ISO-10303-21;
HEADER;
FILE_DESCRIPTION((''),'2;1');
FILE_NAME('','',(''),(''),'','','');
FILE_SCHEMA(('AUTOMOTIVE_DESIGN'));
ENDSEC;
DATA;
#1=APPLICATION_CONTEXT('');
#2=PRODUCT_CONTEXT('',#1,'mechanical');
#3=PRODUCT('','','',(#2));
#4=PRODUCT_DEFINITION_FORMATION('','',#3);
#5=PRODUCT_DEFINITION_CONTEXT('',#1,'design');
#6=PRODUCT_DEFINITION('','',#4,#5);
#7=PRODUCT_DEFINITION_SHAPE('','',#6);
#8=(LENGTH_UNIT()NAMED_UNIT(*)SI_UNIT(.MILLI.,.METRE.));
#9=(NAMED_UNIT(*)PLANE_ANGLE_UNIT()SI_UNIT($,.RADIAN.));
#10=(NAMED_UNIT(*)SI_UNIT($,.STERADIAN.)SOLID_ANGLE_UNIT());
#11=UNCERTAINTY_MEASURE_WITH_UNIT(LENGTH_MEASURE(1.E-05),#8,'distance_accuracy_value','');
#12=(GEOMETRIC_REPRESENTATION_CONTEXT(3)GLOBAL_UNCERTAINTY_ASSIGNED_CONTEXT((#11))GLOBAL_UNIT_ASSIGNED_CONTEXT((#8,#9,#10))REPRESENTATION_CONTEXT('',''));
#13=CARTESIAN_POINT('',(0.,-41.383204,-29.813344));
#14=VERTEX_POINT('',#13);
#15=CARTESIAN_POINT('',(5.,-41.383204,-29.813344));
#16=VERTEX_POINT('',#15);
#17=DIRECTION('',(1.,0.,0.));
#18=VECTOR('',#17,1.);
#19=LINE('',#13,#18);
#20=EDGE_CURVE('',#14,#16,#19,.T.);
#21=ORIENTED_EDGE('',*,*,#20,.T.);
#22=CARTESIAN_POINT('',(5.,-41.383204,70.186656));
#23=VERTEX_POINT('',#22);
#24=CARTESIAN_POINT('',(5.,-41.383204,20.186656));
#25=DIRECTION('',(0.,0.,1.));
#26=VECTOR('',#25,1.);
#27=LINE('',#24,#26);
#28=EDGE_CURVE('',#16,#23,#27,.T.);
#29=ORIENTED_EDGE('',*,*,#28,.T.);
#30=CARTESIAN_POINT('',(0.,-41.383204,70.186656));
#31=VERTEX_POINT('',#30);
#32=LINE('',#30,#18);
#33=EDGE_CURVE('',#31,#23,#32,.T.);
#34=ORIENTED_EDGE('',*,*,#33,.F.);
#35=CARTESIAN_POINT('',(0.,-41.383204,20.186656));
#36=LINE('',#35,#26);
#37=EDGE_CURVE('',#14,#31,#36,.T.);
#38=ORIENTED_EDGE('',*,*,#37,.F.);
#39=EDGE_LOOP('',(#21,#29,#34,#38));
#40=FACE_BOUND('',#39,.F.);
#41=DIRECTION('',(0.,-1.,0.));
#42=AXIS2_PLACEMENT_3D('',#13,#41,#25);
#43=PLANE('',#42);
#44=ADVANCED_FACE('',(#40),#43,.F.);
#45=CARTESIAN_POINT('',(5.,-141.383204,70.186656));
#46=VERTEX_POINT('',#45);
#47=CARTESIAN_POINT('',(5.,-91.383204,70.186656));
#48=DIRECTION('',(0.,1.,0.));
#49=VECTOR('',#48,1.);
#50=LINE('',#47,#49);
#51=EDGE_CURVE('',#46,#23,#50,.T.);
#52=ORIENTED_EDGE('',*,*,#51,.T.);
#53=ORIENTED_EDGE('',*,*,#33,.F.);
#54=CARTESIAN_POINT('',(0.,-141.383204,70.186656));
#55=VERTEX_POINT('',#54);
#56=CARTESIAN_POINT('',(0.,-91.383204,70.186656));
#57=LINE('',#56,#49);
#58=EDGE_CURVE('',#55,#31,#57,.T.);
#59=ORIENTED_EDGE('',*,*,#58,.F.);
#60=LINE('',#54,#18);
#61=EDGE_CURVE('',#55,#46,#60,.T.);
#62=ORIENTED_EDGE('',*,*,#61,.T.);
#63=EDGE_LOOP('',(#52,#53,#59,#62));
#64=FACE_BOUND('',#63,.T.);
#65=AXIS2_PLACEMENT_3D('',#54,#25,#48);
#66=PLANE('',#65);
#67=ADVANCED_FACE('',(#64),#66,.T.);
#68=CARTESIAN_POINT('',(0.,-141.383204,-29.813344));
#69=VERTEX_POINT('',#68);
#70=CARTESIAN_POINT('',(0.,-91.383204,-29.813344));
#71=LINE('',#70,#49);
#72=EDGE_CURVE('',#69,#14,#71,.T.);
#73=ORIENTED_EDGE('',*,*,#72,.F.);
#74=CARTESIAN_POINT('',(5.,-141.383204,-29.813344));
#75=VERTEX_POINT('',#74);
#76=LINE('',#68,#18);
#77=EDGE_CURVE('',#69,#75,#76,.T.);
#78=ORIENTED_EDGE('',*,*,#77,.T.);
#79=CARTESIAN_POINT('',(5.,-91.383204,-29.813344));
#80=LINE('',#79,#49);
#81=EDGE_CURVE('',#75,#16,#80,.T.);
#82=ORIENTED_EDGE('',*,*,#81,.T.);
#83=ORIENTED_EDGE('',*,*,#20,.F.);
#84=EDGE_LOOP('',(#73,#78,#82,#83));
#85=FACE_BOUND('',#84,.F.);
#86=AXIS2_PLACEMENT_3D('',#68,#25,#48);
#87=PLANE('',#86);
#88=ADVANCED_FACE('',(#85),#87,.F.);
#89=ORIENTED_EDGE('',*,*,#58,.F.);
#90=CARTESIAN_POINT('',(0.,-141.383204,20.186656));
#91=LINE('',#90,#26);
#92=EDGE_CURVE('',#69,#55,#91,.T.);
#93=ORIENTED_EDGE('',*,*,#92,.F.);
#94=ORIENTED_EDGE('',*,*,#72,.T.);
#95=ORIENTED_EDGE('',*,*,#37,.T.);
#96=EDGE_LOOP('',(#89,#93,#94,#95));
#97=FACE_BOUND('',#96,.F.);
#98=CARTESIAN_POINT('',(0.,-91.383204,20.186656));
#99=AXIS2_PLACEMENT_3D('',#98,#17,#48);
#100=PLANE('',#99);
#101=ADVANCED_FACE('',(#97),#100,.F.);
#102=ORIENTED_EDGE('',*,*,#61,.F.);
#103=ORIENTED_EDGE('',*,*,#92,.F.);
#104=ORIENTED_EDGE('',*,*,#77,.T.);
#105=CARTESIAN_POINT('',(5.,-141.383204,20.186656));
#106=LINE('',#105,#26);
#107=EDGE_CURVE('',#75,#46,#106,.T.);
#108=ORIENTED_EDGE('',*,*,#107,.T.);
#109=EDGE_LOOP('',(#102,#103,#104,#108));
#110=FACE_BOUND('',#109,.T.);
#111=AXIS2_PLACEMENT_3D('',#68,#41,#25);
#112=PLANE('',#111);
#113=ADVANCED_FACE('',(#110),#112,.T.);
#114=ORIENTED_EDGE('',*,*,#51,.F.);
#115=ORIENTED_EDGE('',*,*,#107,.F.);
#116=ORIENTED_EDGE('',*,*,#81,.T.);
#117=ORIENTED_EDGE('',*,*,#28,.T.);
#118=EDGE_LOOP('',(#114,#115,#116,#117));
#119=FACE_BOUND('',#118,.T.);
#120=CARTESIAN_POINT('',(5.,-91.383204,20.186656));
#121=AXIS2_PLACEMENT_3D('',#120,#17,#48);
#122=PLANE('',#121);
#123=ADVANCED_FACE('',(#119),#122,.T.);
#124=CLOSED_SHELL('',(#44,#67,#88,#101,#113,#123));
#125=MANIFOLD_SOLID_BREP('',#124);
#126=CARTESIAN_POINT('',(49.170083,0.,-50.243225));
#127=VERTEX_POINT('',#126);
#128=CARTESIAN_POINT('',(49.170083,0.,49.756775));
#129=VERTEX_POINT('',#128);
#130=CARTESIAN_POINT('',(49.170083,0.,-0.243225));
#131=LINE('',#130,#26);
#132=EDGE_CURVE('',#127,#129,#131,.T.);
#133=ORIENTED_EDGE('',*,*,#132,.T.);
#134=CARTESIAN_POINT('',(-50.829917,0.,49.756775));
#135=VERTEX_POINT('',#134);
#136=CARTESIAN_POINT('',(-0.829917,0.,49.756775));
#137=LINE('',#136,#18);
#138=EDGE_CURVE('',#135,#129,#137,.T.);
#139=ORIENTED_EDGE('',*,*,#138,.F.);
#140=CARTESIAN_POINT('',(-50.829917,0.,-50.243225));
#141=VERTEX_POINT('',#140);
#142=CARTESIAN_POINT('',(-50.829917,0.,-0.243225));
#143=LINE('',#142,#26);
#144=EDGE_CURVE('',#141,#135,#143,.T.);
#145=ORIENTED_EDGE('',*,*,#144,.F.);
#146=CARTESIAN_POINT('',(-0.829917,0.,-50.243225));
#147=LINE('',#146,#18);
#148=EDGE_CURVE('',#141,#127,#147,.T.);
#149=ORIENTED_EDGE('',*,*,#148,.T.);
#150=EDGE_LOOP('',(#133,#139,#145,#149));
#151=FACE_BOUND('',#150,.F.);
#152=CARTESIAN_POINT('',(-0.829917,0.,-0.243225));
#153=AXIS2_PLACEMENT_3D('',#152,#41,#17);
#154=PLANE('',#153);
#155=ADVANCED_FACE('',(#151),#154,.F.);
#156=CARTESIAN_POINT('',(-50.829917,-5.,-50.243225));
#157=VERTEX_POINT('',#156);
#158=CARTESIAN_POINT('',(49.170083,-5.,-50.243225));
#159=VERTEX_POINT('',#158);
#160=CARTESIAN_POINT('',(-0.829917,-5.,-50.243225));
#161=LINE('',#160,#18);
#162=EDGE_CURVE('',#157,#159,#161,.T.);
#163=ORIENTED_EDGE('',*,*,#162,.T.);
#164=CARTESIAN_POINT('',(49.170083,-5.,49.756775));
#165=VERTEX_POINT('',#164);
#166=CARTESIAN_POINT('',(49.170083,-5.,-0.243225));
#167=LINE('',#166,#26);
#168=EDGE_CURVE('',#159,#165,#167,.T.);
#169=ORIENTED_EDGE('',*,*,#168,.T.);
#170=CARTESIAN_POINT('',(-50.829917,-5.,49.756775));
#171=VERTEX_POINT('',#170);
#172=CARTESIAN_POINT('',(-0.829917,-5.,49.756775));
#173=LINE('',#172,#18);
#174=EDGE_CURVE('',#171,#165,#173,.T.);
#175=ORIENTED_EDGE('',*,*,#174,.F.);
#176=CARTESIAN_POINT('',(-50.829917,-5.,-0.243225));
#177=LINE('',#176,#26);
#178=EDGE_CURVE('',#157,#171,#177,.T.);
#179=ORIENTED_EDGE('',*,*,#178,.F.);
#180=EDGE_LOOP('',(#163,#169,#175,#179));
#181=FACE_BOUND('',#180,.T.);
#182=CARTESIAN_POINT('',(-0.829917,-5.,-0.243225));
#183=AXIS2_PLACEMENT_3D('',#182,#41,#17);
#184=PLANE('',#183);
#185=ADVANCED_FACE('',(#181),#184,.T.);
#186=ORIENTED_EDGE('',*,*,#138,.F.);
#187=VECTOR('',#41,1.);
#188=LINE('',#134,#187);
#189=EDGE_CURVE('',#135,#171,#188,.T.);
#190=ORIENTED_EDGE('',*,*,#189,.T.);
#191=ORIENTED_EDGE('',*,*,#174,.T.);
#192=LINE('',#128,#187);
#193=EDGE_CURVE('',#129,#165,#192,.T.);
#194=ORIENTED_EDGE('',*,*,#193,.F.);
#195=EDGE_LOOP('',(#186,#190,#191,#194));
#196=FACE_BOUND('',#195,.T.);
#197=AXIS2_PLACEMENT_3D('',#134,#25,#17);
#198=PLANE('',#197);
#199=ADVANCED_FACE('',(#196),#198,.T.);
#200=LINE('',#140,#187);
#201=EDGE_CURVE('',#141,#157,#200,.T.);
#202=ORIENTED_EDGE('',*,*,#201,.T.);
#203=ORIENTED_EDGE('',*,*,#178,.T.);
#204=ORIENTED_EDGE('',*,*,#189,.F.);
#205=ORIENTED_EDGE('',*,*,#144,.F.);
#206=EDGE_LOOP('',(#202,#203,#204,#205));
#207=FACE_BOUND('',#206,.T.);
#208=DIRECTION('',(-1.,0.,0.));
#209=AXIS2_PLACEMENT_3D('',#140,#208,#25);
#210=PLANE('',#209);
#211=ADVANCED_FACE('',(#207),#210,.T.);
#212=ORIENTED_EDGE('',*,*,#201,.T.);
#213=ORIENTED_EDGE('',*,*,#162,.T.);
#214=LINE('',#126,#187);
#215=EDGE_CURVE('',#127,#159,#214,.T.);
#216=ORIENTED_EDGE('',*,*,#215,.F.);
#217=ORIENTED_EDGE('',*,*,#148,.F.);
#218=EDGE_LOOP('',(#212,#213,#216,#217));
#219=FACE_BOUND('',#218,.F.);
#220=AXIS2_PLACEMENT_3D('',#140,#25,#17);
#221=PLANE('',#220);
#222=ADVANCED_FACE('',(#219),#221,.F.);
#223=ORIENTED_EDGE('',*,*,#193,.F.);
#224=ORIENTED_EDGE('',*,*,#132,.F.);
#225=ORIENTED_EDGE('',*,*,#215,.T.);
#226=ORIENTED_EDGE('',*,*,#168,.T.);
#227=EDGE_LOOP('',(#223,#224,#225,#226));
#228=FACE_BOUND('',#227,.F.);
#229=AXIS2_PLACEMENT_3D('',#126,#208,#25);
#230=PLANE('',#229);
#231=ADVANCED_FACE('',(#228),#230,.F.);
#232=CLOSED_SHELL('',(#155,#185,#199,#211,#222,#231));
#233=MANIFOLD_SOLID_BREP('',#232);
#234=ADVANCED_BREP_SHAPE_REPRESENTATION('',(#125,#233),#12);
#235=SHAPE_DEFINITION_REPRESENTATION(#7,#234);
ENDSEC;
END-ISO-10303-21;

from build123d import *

# Parameters (mm, degrees)
F0_W     = 100
F0_H     = 100
F2_DEPTH = 5
F1_W     = 100
F1_H     = 100
F3_DEPTH = 5


with BuildPart() as f2:
    # F0 (on Front) → F2 (new body)
    with BuildSketch(Plane.XZ):
        with Locations((-0.829917, -0.243225)):
            Rectangle(F0_W, F0_H)
    extrude(amount=F2_DEPTH)


with BuildPart() as f3:
    # F1 (on Right) → F3 (new body)
    with BuildSketch(Plane.YZ):
        with Locations((-91.383204, 20.186656)):
            Rectangle(F1_W, F1_H)
    extrude(amount=F3_DEPTH)


solid = Compound([f2.part, f3.part])
